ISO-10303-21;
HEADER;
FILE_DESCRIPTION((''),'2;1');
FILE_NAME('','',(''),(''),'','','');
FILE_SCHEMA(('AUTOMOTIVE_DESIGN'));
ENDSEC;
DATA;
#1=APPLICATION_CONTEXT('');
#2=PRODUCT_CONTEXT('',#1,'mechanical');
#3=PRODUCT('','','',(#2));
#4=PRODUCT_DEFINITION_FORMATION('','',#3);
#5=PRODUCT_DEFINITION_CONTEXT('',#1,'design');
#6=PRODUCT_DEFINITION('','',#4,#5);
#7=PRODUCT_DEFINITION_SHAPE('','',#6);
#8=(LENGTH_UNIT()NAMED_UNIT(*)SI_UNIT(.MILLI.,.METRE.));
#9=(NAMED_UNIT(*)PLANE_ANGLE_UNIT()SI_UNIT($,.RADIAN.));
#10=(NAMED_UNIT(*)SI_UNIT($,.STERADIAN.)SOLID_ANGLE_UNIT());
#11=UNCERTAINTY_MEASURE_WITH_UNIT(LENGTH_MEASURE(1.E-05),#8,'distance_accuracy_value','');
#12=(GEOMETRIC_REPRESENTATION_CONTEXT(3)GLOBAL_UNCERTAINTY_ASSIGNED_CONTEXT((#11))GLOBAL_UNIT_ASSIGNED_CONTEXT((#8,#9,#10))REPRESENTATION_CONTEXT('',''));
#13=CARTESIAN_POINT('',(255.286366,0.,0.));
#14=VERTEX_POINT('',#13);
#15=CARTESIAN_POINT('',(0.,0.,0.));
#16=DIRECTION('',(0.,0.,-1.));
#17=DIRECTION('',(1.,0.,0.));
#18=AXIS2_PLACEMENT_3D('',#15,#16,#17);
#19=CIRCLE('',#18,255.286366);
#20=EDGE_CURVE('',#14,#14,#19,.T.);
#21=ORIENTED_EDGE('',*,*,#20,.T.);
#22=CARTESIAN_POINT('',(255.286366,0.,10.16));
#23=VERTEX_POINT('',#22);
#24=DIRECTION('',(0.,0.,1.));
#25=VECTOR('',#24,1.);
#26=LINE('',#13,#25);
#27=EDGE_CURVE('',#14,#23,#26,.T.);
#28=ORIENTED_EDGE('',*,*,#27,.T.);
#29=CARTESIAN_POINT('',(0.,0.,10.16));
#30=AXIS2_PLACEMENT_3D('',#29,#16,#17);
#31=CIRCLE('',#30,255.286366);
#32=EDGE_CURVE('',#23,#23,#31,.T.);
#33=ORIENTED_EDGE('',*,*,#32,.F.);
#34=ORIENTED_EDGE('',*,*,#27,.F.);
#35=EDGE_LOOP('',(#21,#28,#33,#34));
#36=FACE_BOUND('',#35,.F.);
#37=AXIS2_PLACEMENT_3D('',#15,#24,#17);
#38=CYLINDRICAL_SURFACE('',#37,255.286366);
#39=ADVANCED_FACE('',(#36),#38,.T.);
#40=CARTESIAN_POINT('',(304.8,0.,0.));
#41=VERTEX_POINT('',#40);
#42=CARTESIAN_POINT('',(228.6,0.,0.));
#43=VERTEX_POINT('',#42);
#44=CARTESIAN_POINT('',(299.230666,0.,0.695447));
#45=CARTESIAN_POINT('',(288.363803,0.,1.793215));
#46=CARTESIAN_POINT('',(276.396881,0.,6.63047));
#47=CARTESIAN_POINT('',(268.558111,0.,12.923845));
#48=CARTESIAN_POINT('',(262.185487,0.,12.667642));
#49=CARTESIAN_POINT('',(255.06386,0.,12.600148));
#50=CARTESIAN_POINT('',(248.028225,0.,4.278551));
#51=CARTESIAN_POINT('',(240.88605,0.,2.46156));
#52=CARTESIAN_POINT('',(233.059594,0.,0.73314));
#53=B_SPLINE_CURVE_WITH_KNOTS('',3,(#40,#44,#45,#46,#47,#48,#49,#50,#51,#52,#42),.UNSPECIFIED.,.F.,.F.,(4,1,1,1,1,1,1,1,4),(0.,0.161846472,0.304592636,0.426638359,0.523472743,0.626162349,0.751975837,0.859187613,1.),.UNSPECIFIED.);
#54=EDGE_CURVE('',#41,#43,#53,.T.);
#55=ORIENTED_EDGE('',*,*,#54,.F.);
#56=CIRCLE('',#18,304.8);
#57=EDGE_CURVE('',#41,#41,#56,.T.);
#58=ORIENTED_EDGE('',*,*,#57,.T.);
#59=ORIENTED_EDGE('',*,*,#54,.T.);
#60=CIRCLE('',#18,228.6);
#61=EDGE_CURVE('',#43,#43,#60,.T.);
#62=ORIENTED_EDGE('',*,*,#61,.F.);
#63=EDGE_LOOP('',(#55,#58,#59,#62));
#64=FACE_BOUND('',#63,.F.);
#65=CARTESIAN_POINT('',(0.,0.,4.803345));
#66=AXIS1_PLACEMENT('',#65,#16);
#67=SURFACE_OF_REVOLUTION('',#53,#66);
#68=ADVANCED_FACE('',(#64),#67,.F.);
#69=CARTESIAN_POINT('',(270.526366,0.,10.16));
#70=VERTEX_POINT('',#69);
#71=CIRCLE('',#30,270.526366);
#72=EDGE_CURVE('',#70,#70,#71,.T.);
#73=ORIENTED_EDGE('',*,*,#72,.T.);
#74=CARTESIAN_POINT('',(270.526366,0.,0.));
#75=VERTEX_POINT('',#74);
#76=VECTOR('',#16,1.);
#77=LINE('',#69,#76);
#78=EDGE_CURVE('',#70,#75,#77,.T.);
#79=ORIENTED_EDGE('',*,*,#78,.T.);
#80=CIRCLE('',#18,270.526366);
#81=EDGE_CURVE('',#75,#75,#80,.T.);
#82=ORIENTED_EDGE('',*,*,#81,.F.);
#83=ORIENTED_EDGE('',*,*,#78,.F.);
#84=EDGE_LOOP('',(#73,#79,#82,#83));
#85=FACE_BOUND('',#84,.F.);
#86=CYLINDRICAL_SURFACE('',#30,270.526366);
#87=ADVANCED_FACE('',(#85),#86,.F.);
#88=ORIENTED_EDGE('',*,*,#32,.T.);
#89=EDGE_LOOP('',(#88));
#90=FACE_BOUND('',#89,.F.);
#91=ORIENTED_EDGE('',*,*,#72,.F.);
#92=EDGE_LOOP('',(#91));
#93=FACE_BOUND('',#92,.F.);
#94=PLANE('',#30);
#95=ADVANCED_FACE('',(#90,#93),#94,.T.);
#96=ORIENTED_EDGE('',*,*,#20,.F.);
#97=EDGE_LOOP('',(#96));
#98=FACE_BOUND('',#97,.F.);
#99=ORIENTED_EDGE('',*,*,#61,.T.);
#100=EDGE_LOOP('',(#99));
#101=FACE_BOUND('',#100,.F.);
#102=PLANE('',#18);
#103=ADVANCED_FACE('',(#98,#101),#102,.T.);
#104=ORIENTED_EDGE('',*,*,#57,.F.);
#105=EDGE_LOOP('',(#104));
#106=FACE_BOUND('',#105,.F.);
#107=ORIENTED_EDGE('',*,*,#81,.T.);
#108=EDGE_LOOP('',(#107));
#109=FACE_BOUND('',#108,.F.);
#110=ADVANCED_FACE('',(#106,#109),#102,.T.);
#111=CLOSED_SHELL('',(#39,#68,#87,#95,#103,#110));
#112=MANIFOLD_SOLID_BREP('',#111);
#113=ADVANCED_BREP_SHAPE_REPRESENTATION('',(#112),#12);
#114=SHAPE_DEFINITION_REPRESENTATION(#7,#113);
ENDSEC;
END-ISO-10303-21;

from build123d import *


with BuildPart() as f1:
    # F0 (on Front) → F1 (revolve)
    with BuildSketch(Plane.XZ):
        with BuildLine():
            add(Edge.make_bspline(
                [(304.8, 0), (299.2306655774, 0.6954468525), (288.3638027022, 1.7932152678), (276.3968806262, 6.6304696364), (268.5581108508, 12.9238446457), (262.1854868837, 12.6676415266), (255.0638602949, 12.6001476412), (248.0282253744, 4.2785512303), (240.8860498434, 2.4615602576), (233.0595940218, 0.7331401574), (228.6, 0)],
                knots=[0, 0, 0, 0, 0.1618464724, 0.3045926357, 0.4266383591, 0.5234727428, 0.6261623493, 0.7519758369, 0.859187613, 1, 1, 1, 1], degree=3))
            Line((228.6, 0), (255.2863657475, 0))
            Line((255.2863657475, 0), (255.2863657475, 10.16))
            Line((255.2863657475, 10.16), (270.5263657475, 10.16))
            Line((270.5263657475, 10.16), (270.5263657475, 0))
            Line((270.5263657475, 0), (304.8, 0))
        make_face()
    revolve(axis=Axis((0, 0, 4.8033446074), (0, 0, -1)))


solid = f1.part
